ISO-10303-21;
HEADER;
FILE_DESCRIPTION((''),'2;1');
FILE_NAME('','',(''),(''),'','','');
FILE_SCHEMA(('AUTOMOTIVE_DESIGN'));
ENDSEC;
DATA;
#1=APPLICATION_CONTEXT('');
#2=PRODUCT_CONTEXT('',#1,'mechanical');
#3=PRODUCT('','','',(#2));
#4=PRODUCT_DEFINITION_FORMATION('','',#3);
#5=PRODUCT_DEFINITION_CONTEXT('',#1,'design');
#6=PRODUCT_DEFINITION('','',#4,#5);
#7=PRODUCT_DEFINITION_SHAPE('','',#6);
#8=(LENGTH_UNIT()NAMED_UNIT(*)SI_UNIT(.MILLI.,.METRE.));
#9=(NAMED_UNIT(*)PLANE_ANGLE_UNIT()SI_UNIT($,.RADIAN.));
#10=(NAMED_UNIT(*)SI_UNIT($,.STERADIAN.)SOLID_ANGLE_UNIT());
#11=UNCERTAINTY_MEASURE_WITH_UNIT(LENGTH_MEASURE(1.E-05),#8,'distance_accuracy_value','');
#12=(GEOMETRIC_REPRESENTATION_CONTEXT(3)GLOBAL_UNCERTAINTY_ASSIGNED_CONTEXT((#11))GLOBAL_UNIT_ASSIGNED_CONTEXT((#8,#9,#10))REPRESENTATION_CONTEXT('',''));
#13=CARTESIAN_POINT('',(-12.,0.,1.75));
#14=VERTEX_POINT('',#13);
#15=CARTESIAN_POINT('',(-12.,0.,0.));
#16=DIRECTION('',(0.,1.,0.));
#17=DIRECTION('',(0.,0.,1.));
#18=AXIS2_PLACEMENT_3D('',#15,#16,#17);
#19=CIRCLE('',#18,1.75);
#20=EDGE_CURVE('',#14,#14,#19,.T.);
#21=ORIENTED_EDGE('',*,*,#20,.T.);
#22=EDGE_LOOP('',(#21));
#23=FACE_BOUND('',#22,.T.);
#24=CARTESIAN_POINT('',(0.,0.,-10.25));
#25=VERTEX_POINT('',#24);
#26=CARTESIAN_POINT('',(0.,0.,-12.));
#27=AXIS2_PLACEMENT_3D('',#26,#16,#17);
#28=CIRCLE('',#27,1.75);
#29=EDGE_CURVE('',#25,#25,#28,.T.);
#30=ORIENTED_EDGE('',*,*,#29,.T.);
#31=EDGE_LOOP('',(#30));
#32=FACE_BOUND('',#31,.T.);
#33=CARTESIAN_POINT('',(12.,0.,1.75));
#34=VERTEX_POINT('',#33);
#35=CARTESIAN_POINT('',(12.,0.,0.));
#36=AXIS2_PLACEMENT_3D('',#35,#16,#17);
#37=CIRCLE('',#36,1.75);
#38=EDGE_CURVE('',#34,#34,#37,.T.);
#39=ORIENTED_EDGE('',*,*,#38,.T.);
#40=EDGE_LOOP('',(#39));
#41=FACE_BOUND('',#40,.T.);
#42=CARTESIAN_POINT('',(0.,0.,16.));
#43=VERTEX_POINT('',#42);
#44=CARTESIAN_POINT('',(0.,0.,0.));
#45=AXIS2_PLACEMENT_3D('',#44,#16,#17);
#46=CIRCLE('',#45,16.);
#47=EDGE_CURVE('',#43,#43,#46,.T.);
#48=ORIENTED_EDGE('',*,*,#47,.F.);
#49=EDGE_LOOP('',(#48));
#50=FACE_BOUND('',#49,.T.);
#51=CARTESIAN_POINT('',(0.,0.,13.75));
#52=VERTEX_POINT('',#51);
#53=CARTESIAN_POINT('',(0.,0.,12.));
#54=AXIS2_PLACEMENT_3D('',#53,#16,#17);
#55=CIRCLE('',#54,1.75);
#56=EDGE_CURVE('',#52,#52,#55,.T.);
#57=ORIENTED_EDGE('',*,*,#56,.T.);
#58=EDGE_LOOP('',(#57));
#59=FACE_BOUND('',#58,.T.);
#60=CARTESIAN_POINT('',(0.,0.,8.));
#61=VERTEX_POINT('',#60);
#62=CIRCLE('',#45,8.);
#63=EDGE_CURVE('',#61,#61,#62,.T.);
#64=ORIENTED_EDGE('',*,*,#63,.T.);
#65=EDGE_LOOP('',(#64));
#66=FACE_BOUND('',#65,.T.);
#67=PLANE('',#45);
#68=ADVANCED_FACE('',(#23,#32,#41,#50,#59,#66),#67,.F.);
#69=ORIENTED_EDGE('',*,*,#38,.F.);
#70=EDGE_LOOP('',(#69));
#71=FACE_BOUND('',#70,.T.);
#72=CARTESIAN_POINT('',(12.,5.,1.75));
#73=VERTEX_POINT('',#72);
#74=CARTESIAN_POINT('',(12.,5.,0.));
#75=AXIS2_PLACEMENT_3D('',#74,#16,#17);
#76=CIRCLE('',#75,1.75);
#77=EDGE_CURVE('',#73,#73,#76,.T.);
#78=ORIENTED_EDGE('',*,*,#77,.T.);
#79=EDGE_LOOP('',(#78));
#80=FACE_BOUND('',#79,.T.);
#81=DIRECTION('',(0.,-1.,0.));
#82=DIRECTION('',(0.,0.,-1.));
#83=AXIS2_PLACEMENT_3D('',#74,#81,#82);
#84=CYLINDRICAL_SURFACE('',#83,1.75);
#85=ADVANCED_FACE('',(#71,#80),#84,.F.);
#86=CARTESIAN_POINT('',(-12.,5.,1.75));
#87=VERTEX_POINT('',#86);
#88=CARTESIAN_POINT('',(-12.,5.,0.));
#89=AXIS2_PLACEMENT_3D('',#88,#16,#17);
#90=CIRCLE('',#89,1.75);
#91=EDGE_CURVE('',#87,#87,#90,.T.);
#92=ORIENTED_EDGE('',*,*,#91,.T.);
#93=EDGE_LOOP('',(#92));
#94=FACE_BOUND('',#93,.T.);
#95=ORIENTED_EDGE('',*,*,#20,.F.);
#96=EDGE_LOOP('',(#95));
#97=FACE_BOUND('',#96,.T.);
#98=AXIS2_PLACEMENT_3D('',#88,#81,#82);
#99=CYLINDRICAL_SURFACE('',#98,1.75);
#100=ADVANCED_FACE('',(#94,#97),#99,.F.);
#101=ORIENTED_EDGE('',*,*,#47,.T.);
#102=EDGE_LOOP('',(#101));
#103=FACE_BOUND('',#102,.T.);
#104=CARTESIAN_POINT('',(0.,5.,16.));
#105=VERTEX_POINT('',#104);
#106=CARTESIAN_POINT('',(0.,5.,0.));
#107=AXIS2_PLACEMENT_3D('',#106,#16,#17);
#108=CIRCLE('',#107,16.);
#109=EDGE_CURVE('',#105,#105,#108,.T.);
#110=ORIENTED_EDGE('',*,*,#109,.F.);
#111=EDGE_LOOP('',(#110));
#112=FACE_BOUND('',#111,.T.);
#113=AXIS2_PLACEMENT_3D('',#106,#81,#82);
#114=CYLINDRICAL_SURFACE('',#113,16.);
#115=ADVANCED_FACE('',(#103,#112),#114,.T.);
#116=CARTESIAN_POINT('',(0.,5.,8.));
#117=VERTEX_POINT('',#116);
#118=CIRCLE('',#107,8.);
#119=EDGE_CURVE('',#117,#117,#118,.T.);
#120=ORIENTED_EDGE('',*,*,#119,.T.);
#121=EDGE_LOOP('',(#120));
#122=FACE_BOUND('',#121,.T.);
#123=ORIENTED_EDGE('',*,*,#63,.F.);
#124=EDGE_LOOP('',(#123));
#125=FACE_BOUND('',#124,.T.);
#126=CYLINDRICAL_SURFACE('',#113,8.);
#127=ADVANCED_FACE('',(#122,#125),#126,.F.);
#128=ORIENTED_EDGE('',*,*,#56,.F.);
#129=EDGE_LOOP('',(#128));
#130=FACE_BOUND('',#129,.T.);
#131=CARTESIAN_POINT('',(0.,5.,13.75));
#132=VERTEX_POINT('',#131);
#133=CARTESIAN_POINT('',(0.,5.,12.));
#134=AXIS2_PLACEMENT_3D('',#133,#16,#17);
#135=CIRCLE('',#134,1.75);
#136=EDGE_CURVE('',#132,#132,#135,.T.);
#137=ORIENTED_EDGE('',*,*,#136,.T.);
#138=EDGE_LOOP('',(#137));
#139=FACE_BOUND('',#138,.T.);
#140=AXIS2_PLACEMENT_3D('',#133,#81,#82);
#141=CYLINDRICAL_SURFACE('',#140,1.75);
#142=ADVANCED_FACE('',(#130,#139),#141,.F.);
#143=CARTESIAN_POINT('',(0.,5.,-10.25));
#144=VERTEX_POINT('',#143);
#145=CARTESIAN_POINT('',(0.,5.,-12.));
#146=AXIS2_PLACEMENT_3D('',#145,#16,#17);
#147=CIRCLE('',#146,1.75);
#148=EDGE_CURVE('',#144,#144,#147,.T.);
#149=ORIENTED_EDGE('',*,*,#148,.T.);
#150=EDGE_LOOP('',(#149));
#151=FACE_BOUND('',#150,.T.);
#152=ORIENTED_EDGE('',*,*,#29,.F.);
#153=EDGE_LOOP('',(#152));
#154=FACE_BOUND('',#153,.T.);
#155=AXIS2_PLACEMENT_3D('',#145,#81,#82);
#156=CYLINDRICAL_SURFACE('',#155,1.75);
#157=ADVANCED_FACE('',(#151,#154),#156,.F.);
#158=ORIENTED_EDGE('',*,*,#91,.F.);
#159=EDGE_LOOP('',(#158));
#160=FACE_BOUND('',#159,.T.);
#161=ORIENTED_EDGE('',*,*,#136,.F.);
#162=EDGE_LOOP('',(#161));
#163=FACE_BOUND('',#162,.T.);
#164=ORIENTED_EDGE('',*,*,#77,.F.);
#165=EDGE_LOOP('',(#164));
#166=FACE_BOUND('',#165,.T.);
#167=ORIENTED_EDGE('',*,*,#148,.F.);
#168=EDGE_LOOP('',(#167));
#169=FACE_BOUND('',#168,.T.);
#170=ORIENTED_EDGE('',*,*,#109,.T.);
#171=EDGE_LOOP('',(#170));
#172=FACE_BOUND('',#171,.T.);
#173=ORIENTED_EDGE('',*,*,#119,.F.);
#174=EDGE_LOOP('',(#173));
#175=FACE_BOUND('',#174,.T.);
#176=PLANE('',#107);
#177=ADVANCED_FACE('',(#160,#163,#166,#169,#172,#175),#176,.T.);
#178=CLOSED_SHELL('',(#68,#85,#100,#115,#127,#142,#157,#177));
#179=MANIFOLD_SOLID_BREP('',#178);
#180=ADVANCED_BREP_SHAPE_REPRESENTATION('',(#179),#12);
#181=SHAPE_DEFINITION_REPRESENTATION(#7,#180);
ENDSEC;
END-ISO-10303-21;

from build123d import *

# Parameters (mm, degrees)
SKETCH_1_R      = 16
SKETCH_1_R_2    = 8
SKETCH_1_R_3    = 1.75
EXTRUDE_1_DEPTH = 5


with BuildPart() as part:
    # 草图1 → 凸台-拉伸1 (new body)
    with BuildSketch(Plane(origin=(0, 0, 0), x_dir=(1, 0, 0), z_dir=(0, 1, 0))):
        with Locations(Location((0, 0, 0), (0, 0, 270))):
            Circle(SKETCH_1_R)
        with Locations(Location((0, 0, 0), (0, 0, 270))):
            Circle(SKETCH_1_R_2, mode=Mode.SUBTRACT)
        with Locations(Location((12, 0, 0), (0, 0, 270))):
            Circle(SKETCH_1_R_3, mode=Mode.SUBTRACT)
        with Locations(Location((0, -12, 0), (0, 0, 270))):
            Circle(SKETCH_1_R_3, mode=Mode.SUBTRACT)
        with Locations(Location((-12, 0, 0), (0, 0, 270))):
            Circle(SKETCH_1_R_3, mode=Mode.SUBTRACT)
        with Locations(Location((0, 12, 0), (0, 0, 270))):
            Circle(SKETCH_1_R_3, mode=Mode.SUBTRACT)
    extrude(amount=EXTRUDE_1_DEPTH)


solid = part.part
